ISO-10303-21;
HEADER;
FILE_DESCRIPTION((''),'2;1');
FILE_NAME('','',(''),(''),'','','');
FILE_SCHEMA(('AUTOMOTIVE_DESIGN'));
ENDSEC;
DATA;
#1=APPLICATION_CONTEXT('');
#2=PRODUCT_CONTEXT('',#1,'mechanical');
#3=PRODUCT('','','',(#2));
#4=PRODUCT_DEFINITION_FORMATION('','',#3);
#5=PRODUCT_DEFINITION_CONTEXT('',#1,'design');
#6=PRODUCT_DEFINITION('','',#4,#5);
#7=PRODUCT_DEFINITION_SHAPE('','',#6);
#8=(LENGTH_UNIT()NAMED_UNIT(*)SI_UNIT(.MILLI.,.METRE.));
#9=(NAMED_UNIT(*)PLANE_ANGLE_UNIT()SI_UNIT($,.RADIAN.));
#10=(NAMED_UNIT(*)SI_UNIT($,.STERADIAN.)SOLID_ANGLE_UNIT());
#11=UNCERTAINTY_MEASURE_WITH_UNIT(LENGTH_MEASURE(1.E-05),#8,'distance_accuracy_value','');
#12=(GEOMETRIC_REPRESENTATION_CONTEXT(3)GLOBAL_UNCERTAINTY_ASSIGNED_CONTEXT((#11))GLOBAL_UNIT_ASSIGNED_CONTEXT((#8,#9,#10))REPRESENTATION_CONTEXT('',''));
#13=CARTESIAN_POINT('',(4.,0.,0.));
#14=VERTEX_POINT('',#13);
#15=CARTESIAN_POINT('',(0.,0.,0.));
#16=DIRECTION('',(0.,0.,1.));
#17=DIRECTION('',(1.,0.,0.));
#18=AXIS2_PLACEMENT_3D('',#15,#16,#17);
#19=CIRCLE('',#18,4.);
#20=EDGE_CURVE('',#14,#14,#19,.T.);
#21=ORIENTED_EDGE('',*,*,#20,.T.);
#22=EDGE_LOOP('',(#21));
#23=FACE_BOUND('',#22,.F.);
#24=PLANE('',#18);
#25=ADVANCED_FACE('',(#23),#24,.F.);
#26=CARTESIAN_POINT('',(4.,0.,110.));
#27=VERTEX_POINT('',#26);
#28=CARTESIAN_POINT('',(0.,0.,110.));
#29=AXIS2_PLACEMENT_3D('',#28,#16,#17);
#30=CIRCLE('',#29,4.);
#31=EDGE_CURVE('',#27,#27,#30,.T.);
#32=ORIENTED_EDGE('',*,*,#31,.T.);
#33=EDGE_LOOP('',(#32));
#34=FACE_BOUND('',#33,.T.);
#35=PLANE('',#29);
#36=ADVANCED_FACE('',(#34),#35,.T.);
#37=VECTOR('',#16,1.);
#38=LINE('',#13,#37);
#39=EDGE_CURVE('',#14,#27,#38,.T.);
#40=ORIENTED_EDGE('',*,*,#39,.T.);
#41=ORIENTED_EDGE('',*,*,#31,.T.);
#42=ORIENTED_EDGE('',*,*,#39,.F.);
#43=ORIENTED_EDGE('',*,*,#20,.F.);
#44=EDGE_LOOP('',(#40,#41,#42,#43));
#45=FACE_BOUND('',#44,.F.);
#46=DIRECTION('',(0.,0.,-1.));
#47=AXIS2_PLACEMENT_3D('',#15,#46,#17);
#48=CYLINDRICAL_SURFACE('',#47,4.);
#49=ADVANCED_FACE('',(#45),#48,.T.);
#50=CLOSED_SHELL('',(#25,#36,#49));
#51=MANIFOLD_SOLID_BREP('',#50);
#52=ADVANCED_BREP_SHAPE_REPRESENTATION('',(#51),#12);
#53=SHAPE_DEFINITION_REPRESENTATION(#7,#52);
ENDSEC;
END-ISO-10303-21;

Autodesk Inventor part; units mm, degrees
ref_plane "YZ Plane" through (0, 0, 0) normal (1, 0, 0) x (0, 1, 0)
ref_plane "XZ Plane" through (0, 0, 0) normal (0, 1, 0) x (-1, 0, 0)
ref_plane "XY Plane" through (0, 0, 0) normal (0, 0, 1) x (1, 0, 0)
sketch "Sketch1" plane through (0, 0, 0) normal (0, 0, 1) x (1, 0, 0)
  circle A0 centre (0, 0) radius 4
  dimension "d0" = 8
extrude "Extrusion1" add sketch "Sketch1" along normal blind 110
properties part number "pręt 04-1"
